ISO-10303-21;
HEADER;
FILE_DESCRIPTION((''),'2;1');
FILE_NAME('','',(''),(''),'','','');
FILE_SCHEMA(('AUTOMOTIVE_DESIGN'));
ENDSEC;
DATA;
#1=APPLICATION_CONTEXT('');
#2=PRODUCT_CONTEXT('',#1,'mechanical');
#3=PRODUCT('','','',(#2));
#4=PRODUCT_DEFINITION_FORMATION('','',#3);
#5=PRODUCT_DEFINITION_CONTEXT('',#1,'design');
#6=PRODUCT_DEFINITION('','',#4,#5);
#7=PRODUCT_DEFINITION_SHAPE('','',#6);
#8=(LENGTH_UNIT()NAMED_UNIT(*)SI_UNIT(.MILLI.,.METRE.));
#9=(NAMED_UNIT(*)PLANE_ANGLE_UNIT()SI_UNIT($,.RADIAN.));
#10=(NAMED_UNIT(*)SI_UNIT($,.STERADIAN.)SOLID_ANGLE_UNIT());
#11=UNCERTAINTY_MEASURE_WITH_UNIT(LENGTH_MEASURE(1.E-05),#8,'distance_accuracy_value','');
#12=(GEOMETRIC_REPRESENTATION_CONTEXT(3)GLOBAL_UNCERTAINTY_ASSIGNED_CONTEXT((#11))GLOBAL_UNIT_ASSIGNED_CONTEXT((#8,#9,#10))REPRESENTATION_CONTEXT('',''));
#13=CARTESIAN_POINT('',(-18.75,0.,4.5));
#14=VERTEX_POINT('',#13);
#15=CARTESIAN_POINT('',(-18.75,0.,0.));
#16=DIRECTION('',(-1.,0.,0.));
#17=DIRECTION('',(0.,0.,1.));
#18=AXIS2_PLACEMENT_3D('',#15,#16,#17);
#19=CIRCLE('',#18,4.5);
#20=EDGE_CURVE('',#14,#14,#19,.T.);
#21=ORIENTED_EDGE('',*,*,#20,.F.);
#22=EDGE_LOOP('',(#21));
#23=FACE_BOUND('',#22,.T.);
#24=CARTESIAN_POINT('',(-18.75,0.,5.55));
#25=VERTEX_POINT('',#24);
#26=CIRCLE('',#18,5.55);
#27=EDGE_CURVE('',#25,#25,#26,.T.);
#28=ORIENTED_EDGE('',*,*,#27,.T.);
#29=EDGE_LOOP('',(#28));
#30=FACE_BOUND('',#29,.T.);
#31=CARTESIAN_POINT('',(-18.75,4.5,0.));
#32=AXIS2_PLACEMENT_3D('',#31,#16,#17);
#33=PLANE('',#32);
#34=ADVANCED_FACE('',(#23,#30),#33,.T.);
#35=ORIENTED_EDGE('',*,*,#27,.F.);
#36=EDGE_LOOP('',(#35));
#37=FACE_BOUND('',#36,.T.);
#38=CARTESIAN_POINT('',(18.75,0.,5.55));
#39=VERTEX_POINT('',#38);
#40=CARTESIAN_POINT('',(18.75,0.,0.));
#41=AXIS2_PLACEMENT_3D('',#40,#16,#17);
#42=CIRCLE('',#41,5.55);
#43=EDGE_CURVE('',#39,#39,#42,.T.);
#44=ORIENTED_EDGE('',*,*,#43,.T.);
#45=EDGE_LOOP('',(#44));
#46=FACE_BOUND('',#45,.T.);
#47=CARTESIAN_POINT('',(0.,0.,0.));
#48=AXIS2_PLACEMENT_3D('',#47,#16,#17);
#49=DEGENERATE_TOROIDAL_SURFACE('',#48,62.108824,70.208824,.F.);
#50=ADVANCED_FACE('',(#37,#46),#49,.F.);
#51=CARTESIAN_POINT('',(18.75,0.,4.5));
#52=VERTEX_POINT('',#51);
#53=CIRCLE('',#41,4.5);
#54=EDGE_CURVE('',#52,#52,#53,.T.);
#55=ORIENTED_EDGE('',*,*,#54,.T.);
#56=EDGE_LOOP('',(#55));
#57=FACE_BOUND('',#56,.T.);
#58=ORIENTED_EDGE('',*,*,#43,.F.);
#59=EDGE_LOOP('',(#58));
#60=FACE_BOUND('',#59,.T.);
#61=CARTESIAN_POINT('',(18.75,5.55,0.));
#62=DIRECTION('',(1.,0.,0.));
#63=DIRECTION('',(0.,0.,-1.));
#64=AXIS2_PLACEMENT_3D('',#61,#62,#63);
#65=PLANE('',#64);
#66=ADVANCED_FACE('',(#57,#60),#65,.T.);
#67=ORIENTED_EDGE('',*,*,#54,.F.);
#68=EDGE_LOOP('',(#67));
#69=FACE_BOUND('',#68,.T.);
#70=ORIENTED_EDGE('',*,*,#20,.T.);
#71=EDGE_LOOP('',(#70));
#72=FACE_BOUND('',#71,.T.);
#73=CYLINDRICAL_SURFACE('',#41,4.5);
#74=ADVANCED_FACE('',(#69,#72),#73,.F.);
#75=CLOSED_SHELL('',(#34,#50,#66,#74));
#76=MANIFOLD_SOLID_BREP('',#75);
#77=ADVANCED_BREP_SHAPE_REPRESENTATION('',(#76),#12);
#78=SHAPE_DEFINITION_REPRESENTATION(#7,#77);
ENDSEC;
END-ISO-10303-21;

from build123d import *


with BuildPart() as part:
    # Sketch1 → Revolve1 (revolve)
    with BuildSketch(Plane(origin=(0, 0, 0), x_dir=(-1, 0, 0), z_dir=(0, 0, -1)), mode=Mode.PRIVATE) as revolve1_sk:
        with BuildLine():
            Line((-18.75, 5.55), (-18.75, 4.5))
            Line((-18.75, 4.5), (18.75, 4.5))
            Line((18.75, 4.5), (18.75, 5.55))
            ThreePointArc((18.75, 5.55), (0, 8.1), (-18.75, 5.55))
        make_face()
    revolve(revolve1_sk.sketch.rotate(Axis((18.75, 0, 0), (-1, 0, 0)), 270), axis=Axis((18.75, 0, 0), (-1, 0, 0)))


solid = part.part
